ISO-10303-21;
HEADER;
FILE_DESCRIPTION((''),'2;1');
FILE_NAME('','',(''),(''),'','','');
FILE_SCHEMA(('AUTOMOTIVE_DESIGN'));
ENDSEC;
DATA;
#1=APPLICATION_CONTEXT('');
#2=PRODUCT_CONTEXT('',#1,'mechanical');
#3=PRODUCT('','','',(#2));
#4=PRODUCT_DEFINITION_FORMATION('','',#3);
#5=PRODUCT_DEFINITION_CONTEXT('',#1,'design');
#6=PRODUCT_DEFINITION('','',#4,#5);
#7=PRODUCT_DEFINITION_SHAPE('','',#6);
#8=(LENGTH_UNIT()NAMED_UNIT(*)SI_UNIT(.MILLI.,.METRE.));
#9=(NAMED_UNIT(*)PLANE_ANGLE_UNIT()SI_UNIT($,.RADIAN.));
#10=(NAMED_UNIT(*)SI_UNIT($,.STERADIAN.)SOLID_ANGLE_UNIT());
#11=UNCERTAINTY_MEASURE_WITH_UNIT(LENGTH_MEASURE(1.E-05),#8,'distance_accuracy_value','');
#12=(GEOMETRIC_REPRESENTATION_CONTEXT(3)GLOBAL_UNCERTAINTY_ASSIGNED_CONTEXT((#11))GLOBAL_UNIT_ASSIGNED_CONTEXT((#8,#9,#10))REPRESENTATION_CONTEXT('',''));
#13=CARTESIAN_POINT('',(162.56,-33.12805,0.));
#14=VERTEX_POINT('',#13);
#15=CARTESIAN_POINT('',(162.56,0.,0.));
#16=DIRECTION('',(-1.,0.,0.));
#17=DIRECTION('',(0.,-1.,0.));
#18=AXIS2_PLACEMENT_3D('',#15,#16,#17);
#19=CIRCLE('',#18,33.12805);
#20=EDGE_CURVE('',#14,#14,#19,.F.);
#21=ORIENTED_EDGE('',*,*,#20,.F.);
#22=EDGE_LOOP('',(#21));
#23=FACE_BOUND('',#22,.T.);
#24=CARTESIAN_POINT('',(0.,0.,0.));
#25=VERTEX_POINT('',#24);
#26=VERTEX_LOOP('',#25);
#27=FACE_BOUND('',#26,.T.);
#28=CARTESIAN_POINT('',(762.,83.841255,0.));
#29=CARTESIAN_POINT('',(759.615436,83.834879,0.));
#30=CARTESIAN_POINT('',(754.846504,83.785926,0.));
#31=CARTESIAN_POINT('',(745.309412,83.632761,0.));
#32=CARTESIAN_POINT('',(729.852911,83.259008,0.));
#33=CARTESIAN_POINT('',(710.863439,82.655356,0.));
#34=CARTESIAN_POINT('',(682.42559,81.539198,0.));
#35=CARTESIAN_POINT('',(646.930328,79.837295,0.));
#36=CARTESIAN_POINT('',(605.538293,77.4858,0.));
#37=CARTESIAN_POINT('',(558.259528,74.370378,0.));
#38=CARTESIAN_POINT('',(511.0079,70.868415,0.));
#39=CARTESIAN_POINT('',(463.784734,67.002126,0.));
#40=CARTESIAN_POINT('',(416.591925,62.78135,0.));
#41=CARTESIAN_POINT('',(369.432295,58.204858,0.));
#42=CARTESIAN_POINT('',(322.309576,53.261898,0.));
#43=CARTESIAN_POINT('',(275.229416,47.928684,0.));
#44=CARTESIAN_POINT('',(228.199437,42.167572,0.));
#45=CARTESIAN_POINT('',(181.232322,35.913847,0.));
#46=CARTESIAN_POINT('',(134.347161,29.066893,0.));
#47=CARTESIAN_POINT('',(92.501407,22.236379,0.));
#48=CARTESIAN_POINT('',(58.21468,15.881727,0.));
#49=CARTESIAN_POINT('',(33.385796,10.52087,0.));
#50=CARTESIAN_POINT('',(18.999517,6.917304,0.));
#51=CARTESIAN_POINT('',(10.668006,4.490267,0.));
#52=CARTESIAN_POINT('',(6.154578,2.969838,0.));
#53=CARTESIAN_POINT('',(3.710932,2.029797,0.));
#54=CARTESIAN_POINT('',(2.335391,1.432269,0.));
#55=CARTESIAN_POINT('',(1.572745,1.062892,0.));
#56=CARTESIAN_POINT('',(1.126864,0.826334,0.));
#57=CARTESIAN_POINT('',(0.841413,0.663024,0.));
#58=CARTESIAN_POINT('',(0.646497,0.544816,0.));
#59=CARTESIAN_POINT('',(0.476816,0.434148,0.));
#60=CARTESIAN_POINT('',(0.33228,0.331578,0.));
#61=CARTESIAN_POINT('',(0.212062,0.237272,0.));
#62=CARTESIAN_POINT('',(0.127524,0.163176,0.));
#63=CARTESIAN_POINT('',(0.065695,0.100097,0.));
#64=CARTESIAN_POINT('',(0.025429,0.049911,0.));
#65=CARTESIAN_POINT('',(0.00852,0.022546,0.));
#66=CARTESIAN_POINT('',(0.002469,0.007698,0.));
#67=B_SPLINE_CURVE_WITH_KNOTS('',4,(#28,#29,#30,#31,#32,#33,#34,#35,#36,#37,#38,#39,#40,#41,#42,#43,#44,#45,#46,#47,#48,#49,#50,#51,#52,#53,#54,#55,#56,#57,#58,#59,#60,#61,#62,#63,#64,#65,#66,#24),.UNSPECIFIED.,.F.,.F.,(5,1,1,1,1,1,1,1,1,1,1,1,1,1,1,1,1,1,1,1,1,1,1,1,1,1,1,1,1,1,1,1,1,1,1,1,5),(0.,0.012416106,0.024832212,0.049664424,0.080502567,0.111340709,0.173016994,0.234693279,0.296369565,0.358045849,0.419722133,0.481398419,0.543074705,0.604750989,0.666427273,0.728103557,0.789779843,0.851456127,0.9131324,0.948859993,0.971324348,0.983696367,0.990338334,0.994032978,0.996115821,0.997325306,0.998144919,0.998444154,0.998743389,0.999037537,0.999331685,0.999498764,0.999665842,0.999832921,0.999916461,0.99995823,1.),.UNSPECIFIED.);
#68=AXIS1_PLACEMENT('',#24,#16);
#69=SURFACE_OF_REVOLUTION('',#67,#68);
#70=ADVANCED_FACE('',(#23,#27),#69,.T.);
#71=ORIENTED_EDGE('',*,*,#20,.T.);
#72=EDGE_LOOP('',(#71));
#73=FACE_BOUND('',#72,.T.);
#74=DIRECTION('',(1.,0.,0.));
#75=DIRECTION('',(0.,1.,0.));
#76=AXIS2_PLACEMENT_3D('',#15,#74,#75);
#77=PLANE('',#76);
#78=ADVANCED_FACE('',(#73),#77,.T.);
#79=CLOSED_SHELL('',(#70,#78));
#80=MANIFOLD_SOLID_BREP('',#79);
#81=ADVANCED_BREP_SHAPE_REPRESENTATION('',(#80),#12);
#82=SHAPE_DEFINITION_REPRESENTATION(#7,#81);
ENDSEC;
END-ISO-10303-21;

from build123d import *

# Parameters (mm, degrees)
SKETCH8_R           = 83.841254666
BOSS_EXTRUDE1_DEPTH = 10.16
SKETCH9_R           = 117.461252673
CUT_EXTRUDE1_DEPTH  = 681.99


with BuildPart() as part:
    # Sketch7 → Revolve3 (revolve)
    with BuildSketch(Plane.XY):
        with BuildLine():
            Line((762, 83.841254666), (762, 0))
            Line((762, 0), (0, 0))
            add(Edge.make_bspline(
                [(0, 0), (0.002469036, 0.007698152), (0.00852038, 0.022545642), (0.025428785, 0.049911406), (0.065694849, 0.100096678), (0.127523873, 0.163176144), (0.212062429, 0.237272493), (0.332279694, 0.331578396), (0.47681638, 0.434147846), (0.646496772, 0.544815952), (0.841412681, 0.663024364), (1.126864222, 0.82633392), (1.572744504, 1.062892156), (2.33539055, 1.432268664), (3.710931738, 2.02979685), (6.154578127, 2.969838304), (10.668005752, 4.490267325), (18.999517068, 6.917303838), (33.385795617, 10.520869917), (58.214680344, 15.881727226), (92.501407111, 22.236378549), (134.347160824, 29.066892837), (181.232321928, 35.913847395), (228.199436648, 42.167572329), (275.229416109, 47.928683924), (322.309575865, 53.261898342), (369.432294544, 58.204857708), (416.591925172, 62.781349507), (463.784734462, 67.002125548), (511.007900045, 70.868414522), (558.259527802, 74.370378395), (605.538293137, 77.485800464), (646.930327879, 79.837294836), (682.425589554, 81.539197971), (710.863439026, 82.65535626), (729.852911101, 83.259007577), (745.309411706, 83.632760833), (754.846503834, 83.785926018), (759.61543609, 83.834878653), (762, 83.841254666)],
                knots=[0, 0, 0, 0, 0, 4.177e-05, 8.3539e-05, 0.000167079, 0.000334158, 0.000501236, 0.000668315, 0.000962463, 0.001256611, 0.001555846, 0.001855081, 0.002674694, 0.003884179, 0.005967022, 0.009661666, 0.016303633, 0.028675652, 0.051140007, 0.0868676, 0.148543873, 0.210220157, 0.271896443, 0.333572727, 0.395249011, 0.456925295, 0.518601581, 0.580277867, 0.641954151, 0.703630435, 0.765306721, 0.826983006, 0.888659291, 0.919497433, 0.950335576, 0.975167788, 0.987583894, 1, 1, 1, 1, 1], degree=4))
        make_face()
    revolve(axis=Axis((0, 0, 0), (1, 0, 0)))

    # Sketch8 → Boss-Extrude1 (add)
    with BuildSketch(Plane(origin=(762, 0, 0), x_dir=(0, 0, -1), z_dir=(1, 0, 0))):
        with Locations(Location((0, 0, 0), (0, 0, 90))):
            Circle(SKETCH8_R)
    extrude(amount=BOSS_EXTRUDE1_DEPTH)

    # Sketch9 → Cut-Extrude1 (cut)
    with BuildSketch(Plane(origin=(162.56, 0, 0), x_dir=(0, 0, -1), z_dir=(1, 0, 0))):
        Circle(SKETCH9_R)
    extrude(amount=CUT_EXTRUDE1_DEPTH, mode=Mode.SUBTRACT)


solid = part.part
